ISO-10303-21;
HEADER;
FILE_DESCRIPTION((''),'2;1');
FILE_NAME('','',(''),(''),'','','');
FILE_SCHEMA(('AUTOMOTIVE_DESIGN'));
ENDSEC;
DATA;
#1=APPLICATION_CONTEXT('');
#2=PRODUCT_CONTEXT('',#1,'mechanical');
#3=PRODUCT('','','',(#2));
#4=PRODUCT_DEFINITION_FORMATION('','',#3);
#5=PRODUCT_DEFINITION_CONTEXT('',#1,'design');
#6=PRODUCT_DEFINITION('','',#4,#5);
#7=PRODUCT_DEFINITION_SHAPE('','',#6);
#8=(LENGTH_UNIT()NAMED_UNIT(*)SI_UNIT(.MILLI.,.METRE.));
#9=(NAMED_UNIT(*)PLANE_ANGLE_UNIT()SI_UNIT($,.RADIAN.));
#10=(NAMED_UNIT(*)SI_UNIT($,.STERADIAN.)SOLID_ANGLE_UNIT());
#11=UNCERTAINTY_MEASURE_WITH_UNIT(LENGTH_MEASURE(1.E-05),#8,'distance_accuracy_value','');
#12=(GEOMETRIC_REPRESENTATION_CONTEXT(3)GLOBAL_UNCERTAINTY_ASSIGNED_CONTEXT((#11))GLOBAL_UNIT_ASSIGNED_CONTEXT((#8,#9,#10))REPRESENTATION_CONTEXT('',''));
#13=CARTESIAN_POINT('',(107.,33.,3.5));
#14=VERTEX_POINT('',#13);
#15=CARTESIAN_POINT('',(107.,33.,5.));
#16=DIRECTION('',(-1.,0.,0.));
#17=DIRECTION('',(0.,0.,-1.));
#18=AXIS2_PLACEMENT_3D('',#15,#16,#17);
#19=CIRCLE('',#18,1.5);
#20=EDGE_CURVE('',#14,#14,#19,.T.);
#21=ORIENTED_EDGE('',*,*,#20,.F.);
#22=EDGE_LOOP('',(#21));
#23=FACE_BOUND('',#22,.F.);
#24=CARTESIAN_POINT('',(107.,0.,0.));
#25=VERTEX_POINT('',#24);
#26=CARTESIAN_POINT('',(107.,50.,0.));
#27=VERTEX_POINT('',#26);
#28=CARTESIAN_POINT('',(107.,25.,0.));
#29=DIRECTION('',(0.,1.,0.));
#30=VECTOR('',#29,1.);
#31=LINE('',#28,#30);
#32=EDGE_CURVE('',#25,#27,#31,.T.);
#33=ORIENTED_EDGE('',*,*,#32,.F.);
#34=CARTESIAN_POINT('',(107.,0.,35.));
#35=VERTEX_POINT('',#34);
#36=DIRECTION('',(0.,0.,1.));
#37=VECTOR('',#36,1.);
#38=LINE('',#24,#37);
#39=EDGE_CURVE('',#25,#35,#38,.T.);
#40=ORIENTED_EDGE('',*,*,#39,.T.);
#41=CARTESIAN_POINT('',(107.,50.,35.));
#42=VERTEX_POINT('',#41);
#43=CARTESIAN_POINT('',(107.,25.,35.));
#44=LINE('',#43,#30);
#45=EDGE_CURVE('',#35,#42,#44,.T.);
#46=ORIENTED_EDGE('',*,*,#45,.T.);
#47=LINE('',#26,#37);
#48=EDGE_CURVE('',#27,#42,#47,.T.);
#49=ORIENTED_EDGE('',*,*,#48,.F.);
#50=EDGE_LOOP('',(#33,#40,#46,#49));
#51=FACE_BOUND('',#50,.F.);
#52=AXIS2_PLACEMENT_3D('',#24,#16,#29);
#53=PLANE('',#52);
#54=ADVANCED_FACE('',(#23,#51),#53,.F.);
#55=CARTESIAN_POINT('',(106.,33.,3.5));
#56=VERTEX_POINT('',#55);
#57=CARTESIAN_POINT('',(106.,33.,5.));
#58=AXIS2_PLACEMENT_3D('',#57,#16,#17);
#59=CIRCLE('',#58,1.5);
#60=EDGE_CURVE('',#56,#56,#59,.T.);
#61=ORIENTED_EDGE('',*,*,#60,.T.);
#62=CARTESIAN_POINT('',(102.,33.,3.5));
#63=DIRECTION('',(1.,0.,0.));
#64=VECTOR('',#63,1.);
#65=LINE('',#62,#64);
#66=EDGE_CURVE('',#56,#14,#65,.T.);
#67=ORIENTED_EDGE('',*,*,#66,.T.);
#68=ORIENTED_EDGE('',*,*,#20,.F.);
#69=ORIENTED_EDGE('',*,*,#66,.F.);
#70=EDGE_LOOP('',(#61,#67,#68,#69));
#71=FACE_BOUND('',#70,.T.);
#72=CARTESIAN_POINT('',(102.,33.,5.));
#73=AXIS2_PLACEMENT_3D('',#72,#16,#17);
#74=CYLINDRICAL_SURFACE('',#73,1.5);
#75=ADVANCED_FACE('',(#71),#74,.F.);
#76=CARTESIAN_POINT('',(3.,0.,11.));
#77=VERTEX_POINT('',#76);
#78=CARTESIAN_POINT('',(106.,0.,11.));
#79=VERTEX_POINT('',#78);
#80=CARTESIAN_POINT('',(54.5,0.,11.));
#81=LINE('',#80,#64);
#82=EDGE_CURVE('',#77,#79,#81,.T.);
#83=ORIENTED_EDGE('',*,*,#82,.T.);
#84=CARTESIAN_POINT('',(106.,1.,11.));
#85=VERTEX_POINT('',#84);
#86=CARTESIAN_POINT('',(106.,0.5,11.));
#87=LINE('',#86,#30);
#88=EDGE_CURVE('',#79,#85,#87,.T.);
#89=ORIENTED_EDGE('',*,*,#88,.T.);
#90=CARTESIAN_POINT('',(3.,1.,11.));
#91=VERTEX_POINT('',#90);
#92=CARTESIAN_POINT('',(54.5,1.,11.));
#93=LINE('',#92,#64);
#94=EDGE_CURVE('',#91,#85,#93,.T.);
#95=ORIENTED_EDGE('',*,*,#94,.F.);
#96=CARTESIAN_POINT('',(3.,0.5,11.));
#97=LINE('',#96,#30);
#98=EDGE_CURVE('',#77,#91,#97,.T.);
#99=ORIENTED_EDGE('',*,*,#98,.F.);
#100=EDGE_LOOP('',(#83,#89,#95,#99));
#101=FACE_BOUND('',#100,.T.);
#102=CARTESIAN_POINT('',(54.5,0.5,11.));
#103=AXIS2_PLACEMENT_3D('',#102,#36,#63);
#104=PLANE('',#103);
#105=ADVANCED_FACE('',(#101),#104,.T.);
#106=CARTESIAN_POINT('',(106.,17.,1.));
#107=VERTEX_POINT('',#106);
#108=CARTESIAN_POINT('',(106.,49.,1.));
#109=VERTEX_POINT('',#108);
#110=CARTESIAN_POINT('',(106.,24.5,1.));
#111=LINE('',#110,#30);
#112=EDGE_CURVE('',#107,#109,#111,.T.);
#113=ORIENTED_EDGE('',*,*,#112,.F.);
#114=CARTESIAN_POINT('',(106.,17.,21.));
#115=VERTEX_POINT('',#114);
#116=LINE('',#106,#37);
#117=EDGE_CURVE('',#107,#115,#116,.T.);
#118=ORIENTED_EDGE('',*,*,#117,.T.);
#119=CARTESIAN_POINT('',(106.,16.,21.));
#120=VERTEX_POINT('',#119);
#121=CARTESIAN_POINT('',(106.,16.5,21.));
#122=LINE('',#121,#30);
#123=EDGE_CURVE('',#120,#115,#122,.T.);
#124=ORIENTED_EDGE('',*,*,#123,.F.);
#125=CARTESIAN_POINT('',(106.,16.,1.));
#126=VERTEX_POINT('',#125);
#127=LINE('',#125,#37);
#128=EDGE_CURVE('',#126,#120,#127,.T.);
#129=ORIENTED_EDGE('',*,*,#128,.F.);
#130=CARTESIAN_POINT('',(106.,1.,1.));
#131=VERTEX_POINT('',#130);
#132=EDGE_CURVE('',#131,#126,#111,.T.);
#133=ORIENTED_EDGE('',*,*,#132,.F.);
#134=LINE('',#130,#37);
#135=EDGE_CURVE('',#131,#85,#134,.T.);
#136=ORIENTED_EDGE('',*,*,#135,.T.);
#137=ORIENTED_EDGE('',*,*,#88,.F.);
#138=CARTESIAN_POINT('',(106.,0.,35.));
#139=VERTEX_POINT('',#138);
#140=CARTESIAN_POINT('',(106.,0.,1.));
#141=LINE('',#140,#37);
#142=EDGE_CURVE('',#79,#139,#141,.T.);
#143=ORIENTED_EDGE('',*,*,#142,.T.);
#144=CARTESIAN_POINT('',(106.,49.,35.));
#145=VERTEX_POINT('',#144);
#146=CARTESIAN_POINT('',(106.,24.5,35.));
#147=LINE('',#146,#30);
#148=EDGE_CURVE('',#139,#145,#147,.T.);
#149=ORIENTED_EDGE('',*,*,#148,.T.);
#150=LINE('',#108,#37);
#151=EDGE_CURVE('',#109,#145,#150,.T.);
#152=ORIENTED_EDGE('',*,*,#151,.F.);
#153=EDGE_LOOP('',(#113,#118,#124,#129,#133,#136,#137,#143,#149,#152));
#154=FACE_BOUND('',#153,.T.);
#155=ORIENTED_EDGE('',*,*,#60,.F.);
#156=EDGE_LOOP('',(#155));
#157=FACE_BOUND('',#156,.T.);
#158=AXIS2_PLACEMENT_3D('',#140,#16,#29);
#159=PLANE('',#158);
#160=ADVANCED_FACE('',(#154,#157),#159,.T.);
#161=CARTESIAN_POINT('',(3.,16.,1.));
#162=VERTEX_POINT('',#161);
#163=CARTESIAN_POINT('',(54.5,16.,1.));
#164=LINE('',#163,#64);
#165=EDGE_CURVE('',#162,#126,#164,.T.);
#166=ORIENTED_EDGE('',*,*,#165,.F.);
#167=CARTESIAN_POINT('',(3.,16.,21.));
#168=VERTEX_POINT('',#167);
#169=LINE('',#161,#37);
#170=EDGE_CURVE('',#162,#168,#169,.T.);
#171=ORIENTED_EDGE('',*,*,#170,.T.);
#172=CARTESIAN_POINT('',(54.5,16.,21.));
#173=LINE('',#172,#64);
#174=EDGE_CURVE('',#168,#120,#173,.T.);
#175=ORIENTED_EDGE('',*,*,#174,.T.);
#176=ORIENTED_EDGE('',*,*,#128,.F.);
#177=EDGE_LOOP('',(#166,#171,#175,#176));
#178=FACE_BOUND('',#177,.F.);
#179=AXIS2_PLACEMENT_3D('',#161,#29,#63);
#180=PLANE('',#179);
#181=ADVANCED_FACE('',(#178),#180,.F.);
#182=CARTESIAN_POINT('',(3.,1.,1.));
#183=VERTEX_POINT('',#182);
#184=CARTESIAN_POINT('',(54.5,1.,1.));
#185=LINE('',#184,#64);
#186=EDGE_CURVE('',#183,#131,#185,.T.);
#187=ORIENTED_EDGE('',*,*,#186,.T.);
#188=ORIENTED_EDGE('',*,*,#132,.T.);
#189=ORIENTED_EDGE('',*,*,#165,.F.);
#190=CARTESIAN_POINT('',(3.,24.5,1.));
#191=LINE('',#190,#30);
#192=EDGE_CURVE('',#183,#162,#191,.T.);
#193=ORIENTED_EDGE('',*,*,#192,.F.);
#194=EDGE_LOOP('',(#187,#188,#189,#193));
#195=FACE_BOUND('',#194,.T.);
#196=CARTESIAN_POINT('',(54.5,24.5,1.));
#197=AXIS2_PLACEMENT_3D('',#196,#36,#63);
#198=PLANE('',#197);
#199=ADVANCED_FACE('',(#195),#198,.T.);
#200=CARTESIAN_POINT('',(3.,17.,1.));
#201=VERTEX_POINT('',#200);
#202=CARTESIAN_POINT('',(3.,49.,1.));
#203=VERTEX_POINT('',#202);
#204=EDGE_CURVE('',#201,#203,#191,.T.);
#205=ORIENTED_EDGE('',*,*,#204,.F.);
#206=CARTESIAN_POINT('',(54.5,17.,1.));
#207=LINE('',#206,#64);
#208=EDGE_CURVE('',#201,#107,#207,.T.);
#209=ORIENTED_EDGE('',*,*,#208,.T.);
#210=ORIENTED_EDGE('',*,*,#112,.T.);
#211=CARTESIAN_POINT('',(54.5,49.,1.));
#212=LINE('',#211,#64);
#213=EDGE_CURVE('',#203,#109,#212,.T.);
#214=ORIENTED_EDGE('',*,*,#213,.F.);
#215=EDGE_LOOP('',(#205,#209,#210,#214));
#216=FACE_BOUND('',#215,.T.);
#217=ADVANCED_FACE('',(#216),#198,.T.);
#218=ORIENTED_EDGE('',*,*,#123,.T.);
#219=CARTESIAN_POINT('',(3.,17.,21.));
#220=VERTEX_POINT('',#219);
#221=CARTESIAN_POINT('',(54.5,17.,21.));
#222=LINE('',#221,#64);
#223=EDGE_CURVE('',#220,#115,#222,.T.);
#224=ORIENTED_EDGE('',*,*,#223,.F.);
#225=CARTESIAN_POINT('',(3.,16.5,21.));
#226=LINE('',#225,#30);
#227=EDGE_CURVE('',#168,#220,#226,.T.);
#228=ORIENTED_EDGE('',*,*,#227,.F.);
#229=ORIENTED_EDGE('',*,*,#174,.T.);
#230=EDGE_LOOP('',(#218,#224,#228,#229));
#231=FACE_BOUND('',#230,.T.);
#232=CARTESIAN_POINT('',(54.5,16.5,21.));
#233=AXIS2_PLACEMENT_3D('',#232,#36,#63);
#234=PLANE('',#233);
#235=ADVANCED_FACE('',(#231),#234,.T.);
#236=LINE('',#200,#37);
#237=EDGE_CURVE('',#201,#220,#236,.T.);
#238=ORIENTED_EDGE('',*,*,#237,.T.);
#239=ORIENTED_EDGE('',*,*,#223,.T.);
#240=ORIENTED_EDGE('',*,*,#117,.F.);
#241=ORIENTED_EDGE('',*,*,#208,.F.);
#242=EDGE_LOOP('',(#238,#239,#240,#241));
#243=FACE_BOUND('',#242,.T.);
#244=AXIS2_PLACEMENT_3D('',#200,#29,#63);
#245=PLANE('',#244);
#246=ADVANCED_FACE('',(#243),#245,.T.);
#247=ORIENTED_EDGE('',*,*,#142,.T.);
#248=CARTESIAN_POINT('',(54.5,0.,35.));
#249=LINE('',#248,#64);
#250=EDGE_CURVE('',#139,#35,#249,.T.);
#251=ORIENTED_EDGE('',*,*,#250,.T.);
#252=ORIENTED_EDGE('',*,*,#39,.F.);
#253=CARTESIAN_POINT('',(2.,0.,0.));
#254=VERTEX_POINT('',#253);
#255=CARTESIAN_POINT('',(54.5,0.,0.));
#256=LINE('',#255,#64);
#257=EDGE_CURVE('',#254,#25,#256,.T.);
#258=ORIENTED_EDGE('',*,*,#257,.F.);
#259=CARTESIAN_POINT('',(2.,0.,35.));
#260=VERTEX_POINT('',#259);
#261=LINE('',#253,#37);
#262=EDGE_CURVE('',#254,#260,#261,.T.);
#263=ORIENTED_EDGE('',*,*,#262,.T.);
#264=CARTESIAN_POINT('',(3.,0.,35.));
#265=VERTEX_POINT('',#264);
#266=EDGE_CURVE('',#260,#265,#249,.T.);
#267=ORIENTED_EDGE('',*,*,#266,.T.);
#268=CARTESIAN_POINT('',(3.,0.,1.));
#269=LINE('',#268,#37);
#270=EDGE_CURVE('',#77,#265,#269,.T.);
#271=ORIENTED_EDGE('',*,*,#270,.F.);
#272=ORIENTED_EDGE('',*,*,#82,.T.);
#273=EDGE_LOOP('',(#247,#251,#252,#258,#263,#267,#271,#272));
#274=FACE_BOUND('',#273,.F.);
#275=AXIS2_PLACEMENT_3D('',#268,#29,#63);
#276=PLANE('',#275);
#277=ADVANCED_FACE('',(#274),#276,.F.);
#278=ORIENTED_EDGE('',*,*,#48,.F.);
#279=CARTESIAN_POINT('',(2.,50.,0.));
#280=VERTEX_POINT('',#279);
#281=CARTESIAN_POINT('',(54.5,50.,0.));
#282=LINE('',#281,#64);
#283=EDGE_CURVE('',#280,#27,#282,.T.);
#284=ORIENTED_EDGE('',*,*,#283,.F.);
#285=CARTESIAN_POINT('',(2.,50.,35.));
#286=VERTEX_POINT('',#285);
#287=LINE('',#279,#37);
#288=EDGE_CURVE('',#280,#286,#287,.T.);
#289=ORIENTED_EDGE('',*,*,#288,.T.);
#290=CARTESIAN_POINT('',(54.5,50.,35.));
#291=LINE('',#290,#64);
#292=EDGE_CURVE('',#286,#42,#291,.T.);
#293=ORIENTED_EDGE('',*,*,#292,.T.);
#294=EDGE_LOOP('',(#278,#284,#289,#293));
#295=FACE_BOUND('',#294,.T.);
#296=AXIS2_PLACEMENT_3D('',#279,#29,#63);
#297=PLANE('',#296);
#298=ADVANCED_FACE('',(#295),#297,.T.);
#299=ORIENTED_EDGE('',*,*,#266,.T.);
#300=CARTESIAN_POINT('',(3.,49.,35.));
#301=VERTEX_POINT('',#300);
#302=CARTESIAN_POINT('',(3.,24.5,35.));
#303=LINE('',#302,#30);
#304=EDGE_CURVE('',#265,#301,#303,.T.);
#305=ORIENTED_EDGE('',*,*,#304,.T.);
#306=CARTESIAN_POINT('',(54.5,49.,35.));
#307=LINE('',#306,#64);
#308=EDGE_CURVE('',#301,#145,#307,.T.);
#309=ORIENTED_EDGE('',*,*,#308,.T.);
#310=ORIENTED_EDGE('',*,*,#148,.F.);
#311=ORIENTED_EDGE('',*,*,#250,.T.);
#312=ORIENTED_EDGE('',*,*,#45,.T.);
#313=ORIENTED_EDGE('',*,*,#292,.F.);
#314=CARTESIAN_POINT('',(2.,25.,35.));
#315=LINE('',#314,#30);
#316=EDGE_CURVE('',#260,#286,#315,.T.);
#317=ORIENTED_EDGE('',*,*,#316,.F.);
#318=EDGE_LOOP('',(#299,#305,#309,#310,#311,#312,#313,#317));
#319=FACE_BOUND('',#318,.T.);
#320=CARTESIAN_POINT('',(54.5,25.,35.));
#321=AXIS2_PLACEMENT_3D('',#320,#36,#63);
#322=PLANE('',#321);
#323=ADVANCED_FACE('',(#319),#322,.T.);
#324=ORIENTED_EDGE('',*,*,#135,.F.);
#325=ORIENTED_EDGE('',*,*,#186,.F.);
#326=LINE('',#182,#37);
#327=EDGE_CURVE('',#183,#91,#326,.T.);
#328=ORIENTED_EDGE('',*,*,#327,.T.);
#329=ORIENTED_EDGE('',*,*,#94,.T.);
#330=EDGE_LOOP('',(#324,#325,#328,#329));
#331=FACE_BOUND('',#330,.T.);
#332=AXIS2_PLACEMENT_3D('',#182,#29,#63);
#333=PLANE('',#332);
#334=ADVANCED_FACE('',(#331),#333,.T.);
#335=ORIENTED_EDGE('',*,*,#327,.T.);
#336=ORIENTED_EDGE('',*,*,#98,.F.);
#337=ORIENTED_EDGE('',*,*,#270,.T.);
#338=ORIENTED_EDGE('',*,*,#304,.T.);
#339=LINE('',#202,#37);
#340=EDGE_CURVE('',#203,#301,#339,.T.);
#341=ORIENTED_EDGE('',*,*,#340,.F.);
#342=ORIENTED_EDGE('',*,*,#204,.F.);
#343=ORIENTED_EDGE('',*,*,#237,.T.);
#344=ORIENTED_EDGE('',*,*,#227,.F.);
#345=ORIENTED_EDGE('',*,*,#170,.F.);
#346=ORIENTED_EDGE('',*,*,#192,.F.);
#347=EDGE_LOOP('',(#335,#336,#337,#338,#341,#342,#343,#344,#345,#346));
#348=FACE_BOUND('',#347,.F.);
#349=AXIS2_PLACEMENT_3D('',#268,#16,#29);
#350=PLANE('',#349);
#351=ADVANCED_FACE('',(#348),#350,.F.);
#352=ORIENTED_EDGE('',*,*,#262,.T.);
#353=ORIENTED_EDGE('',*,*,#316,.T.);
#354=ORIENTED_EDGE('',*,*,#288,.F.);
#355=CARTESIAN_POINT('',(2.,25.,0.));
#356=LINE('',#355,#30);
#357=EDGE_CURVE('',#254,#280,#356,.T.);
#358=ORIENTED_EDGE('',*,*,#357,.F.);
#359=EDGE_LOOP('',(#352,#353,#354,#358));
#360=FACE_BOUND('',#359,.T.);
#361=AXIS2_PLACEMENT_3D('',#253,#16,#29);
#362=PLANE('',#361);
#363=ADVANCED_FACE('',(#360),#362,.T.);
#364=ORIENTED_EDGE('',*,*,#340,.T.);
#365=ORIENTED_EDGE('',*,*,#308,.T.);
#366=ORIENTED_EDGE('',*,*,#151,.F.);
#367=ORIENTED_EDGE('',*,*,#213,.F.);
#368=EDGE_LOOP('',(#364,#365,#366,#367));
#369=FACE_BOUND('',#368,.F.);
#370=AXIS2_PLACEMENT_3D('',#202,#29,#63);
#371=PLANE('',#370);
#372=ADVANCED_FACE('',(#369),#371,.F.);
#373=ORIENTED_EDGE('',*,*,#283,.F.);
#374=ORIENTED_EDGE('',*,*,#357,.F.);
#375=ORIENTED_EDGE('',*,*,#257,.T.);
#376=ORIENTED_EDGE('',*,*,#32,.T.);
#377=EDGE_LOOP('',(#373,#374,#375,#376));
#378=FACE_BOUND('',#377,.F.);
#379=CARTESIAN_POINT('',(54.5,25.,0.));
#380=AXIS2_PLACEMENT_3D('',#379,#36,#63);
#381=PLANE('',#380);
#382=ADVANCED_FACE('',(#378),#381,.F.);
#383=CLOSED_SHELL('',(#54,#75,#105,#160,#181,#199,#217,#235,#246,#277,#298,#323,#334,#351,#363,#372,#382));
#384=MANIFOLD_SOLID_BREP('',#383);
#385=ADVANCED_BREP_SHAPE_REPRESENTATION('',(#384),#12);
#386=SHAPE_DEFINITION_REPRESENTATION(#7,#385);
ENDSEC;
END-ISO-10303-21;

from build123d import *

# Parameters (mm, degrees)
CYLINDER_R     = 1.5
CYLINDER_DEPTH = 10
BOX002_W       = 103
BOX002_H       = 1
BOX002_DEPTH   = 10
BOX003_W       = 103
BOX003_H       = 1
BOX003_DEPTH   = 20
BOX001_W       = 103
BOX001_H       = 49
BOX001_DEPTH   = 34
BOX_W          = 105
BOX_H          = 50
BOX_DEPTH      = 35


with BuildPart() as pump_hole:
    # Cylinder → Cylinder (new body)
    with BuildSketch(Plane(origin=(100, 33, 5), x_dir=(0, 0, -1), z_dir=(1, 0, 0))):
        Circle(CYLINDER_R)
    extrude(amount=CYLINDER_DEPTH)


with BuildPart() as front_piece:
    # Box002 → Box002 (new body)
    with BuildSketch(Plane(origin=(1, 0, 1), x_dir=(1, 0, 0), z_dir=(0, 0, 1))):
        with Locations((51.5, 0.5)):
            Rectangle(BOX002_W, BOX002_H)
    extrude(amount=BOX002_DEPTH)


with BuildPart() as mid_piece:
    # Box003 → Box003 (new body)
    with BuildSketch(Plane(origin=(1, 16, 1), x_dir=(1, 0, 0), z_dir=(0, 0, 1))):
        with Locations((51.5, 0.5)):
            Rectangle(BOX003_W, BOX003_H)
    extrude(amount=BOX003_DEPTH)


with BuildPart() as primary_cut_out:
    # Box001 → Box001 (new body)
    with BuildSketch(Plane(origin=(1, 0, 1), x_dir=(1, 0, 0), z_dir=(0, 0, 1))):
        with Locations((51.5, 24.5)):
            Rectangle(BOX001_W, BOX001_H)
    extrude(amount=BOX001_DEPTH)


with BuildPart() as pool:
    # Box → Box (new body)
    with BuildSketch(Plane.XY):
        with Locations((52.5, 25)):
            Rectangle(BOX_W, BOX_H)
    extrude(amount=BOX_DEPTH)

    # Cut: cut Primary Cut Out
    add(primary_cut_out.part, mode=Mode.SUBTRACT)

    # Fusion: union Front Piece, Mid Piece
    add(front_piece.part)
    add(mid_piece.part)

    # Cut001: cut Pump Hole
    add(pump_hole.part, mode=Mode.SUBTRACT)


with BuildPart() as pool_1:
    # Cut001 placement: moved
    add(pool.part.moved(Location((2, 0, 0))))


solid = pool_1.part
